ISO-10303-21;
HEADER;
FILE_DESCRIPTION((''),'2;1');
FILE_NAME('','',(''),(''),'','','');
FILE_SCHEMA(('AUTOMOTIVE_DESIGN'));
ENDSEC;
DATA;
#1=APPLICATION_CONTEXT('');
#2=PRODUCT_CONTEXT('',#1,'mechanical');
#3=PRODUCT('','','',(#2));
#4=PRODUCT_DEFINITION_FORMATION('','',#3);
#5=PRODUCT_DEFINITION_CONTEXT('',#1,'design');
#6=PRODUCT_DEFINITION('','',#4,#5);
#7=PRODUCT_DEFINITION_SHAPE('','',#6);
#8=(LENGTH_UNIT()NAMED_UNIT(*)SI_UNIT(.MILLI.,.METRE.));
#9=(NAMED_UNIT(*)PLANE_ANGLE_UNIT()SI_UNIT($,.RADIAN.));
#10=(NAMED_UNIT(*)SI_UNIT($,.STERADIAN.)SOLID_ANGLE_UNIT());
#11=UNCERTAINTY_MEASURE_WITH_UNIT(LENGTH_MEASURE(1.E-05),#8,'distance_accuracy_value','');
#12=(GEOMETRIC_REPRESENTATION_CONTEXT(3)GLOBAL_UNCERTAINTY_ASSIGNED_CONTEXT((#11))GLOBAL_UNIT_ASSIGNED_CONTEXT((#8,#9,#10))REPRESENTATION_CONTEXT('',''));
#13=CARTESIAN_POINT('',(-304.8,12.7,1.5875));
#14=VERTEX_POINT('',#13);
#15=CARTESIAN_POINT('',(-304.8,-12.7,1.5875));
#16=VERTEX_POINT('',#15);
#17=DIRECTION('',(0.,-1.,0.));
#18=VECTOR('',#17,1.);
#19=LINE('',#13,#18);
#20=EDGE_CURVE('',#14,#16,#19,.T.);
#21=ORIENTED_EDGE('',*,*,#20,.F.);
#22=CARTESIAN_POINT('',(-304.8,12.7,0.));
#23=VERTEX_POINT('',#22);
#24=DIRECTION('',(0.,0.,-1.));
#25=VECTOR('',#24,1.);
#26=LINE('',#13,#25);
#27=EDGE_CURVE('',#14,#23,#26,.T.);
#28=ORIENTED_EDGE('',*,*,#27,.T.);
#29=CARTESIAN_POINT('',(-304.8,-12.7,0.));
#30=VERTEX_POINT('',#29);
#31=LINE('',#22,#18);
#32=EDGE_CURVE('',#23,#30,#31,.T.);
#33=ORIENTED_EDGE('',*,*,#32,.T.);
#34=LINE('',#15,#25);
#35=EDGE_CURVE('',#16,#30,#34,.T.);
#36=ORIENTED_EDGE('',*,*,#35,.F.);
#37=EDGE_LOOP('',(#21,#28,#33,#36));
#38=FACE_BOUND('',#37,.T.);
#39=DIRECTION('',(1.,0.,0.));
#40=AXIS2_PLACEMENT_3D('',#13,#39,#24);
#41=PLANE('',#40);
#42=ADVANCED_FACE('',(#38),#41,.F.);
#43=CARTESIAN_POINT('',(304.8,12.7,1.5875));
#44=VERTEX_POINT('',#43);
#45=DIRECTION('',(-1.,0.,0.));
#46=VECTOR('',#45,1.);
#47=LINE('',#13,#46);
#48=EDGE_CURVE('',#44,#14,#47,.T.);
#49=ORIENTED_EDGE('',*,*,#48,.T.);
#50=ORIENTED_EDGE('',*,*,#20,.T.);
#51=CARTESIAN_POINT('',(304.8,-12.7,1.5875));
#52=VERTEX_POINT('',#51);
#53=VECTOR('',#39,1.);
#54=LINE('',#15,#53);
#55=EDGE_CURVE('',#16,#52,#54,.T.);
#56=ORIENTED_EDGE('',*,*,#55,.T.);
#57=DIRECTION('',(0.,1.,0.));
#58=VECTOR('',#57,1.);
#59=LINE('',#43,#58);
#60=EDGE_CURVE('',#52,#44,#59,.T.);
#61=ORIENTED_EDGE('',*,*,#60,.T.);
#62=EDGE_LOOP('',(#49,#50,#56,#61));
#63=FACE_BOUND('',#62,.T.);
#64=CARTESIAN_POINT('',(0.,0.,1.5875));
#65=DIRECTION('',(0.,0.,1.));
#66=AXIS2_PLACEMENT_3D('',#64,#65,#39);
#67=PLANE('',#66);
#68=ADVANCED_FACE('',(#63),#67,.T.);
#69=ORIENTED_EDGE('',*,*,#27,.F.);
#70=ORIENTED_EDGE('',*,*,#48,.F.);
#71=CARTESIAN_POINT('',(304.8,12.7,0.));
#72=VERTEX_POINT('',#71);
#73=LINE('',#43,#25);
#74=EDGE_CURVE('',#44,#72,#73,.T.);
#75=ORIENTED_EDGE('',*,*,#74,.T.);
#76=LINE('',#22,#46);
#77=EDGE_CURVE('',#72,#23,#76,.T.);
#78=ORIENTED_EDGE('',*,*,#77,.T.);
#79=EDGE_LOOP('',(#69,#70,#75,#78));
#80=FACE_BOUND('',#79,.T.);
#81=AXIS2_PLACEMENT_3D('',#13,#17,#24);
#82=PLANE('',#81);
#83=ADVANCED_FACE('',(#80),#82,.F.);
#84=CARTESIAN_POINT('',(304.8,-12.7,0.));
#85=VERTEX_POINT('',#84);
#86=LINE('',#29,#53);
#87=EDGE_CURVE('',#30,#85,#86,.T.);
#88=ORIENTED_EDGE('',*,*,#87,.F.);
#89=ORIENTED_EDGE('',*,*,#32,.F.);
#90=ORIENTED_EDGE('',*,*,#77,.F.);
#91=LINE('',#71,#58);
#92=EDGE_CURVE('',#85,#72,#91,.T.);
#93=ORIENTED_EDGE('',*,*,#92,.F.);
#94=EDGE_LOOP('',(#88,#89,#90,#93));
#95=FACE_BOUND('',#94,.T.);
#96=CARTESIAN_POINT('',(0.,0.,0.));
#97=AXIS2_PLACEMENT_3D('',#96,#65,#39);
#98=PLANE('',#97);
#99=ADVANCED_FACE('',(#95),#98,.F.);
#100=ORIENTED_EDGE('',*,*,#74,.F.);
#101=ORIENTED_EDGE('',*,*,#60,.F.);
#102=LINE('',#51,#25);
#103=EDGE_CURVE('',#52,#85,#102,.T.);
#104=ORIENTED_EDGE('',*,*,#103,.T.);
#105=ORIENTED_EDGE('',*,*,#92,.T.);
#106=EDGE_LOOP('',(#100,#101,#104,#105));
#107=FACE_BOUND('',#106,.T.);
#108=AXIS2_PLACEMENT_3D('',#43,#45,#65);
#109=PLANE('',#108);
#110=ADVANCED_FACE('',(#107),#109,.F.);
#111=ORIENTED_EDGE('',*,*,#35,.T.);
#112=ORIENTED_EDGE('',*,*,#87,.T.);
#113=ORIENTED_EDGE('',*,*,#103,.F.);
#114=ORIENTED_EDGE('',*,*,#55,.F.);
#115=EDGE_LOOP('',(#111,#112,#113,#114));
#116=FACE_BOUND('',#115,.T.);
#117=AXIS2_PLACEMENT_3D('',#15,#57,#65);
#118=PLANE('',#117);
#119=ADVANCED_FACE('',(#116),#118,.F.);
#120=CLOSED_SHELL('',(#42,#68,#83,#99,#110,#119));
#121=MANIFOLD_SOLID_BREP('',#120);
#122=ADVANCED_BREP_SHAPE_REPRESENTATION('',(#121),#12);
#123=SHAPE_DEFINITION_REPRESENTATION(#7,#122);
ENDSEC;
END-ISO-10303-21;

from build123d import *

# Parameters (mm, degrees)
SKETCH1_W           = 609.6
SKETCH1_H           = 25.4
BOSS_EXTRUDE1_DEPTH = 1.5875


with BuildPart() as part:
    # Sketch1 → Boss-Extrude1 (new body)
    with BuildSketch(Plane.XY):
        Rectangle(SKETCH1_W, SKETCH1_H)
    extrude(amount=BOSS_EXTRUDE1_DEPTH)


solid = part.part
